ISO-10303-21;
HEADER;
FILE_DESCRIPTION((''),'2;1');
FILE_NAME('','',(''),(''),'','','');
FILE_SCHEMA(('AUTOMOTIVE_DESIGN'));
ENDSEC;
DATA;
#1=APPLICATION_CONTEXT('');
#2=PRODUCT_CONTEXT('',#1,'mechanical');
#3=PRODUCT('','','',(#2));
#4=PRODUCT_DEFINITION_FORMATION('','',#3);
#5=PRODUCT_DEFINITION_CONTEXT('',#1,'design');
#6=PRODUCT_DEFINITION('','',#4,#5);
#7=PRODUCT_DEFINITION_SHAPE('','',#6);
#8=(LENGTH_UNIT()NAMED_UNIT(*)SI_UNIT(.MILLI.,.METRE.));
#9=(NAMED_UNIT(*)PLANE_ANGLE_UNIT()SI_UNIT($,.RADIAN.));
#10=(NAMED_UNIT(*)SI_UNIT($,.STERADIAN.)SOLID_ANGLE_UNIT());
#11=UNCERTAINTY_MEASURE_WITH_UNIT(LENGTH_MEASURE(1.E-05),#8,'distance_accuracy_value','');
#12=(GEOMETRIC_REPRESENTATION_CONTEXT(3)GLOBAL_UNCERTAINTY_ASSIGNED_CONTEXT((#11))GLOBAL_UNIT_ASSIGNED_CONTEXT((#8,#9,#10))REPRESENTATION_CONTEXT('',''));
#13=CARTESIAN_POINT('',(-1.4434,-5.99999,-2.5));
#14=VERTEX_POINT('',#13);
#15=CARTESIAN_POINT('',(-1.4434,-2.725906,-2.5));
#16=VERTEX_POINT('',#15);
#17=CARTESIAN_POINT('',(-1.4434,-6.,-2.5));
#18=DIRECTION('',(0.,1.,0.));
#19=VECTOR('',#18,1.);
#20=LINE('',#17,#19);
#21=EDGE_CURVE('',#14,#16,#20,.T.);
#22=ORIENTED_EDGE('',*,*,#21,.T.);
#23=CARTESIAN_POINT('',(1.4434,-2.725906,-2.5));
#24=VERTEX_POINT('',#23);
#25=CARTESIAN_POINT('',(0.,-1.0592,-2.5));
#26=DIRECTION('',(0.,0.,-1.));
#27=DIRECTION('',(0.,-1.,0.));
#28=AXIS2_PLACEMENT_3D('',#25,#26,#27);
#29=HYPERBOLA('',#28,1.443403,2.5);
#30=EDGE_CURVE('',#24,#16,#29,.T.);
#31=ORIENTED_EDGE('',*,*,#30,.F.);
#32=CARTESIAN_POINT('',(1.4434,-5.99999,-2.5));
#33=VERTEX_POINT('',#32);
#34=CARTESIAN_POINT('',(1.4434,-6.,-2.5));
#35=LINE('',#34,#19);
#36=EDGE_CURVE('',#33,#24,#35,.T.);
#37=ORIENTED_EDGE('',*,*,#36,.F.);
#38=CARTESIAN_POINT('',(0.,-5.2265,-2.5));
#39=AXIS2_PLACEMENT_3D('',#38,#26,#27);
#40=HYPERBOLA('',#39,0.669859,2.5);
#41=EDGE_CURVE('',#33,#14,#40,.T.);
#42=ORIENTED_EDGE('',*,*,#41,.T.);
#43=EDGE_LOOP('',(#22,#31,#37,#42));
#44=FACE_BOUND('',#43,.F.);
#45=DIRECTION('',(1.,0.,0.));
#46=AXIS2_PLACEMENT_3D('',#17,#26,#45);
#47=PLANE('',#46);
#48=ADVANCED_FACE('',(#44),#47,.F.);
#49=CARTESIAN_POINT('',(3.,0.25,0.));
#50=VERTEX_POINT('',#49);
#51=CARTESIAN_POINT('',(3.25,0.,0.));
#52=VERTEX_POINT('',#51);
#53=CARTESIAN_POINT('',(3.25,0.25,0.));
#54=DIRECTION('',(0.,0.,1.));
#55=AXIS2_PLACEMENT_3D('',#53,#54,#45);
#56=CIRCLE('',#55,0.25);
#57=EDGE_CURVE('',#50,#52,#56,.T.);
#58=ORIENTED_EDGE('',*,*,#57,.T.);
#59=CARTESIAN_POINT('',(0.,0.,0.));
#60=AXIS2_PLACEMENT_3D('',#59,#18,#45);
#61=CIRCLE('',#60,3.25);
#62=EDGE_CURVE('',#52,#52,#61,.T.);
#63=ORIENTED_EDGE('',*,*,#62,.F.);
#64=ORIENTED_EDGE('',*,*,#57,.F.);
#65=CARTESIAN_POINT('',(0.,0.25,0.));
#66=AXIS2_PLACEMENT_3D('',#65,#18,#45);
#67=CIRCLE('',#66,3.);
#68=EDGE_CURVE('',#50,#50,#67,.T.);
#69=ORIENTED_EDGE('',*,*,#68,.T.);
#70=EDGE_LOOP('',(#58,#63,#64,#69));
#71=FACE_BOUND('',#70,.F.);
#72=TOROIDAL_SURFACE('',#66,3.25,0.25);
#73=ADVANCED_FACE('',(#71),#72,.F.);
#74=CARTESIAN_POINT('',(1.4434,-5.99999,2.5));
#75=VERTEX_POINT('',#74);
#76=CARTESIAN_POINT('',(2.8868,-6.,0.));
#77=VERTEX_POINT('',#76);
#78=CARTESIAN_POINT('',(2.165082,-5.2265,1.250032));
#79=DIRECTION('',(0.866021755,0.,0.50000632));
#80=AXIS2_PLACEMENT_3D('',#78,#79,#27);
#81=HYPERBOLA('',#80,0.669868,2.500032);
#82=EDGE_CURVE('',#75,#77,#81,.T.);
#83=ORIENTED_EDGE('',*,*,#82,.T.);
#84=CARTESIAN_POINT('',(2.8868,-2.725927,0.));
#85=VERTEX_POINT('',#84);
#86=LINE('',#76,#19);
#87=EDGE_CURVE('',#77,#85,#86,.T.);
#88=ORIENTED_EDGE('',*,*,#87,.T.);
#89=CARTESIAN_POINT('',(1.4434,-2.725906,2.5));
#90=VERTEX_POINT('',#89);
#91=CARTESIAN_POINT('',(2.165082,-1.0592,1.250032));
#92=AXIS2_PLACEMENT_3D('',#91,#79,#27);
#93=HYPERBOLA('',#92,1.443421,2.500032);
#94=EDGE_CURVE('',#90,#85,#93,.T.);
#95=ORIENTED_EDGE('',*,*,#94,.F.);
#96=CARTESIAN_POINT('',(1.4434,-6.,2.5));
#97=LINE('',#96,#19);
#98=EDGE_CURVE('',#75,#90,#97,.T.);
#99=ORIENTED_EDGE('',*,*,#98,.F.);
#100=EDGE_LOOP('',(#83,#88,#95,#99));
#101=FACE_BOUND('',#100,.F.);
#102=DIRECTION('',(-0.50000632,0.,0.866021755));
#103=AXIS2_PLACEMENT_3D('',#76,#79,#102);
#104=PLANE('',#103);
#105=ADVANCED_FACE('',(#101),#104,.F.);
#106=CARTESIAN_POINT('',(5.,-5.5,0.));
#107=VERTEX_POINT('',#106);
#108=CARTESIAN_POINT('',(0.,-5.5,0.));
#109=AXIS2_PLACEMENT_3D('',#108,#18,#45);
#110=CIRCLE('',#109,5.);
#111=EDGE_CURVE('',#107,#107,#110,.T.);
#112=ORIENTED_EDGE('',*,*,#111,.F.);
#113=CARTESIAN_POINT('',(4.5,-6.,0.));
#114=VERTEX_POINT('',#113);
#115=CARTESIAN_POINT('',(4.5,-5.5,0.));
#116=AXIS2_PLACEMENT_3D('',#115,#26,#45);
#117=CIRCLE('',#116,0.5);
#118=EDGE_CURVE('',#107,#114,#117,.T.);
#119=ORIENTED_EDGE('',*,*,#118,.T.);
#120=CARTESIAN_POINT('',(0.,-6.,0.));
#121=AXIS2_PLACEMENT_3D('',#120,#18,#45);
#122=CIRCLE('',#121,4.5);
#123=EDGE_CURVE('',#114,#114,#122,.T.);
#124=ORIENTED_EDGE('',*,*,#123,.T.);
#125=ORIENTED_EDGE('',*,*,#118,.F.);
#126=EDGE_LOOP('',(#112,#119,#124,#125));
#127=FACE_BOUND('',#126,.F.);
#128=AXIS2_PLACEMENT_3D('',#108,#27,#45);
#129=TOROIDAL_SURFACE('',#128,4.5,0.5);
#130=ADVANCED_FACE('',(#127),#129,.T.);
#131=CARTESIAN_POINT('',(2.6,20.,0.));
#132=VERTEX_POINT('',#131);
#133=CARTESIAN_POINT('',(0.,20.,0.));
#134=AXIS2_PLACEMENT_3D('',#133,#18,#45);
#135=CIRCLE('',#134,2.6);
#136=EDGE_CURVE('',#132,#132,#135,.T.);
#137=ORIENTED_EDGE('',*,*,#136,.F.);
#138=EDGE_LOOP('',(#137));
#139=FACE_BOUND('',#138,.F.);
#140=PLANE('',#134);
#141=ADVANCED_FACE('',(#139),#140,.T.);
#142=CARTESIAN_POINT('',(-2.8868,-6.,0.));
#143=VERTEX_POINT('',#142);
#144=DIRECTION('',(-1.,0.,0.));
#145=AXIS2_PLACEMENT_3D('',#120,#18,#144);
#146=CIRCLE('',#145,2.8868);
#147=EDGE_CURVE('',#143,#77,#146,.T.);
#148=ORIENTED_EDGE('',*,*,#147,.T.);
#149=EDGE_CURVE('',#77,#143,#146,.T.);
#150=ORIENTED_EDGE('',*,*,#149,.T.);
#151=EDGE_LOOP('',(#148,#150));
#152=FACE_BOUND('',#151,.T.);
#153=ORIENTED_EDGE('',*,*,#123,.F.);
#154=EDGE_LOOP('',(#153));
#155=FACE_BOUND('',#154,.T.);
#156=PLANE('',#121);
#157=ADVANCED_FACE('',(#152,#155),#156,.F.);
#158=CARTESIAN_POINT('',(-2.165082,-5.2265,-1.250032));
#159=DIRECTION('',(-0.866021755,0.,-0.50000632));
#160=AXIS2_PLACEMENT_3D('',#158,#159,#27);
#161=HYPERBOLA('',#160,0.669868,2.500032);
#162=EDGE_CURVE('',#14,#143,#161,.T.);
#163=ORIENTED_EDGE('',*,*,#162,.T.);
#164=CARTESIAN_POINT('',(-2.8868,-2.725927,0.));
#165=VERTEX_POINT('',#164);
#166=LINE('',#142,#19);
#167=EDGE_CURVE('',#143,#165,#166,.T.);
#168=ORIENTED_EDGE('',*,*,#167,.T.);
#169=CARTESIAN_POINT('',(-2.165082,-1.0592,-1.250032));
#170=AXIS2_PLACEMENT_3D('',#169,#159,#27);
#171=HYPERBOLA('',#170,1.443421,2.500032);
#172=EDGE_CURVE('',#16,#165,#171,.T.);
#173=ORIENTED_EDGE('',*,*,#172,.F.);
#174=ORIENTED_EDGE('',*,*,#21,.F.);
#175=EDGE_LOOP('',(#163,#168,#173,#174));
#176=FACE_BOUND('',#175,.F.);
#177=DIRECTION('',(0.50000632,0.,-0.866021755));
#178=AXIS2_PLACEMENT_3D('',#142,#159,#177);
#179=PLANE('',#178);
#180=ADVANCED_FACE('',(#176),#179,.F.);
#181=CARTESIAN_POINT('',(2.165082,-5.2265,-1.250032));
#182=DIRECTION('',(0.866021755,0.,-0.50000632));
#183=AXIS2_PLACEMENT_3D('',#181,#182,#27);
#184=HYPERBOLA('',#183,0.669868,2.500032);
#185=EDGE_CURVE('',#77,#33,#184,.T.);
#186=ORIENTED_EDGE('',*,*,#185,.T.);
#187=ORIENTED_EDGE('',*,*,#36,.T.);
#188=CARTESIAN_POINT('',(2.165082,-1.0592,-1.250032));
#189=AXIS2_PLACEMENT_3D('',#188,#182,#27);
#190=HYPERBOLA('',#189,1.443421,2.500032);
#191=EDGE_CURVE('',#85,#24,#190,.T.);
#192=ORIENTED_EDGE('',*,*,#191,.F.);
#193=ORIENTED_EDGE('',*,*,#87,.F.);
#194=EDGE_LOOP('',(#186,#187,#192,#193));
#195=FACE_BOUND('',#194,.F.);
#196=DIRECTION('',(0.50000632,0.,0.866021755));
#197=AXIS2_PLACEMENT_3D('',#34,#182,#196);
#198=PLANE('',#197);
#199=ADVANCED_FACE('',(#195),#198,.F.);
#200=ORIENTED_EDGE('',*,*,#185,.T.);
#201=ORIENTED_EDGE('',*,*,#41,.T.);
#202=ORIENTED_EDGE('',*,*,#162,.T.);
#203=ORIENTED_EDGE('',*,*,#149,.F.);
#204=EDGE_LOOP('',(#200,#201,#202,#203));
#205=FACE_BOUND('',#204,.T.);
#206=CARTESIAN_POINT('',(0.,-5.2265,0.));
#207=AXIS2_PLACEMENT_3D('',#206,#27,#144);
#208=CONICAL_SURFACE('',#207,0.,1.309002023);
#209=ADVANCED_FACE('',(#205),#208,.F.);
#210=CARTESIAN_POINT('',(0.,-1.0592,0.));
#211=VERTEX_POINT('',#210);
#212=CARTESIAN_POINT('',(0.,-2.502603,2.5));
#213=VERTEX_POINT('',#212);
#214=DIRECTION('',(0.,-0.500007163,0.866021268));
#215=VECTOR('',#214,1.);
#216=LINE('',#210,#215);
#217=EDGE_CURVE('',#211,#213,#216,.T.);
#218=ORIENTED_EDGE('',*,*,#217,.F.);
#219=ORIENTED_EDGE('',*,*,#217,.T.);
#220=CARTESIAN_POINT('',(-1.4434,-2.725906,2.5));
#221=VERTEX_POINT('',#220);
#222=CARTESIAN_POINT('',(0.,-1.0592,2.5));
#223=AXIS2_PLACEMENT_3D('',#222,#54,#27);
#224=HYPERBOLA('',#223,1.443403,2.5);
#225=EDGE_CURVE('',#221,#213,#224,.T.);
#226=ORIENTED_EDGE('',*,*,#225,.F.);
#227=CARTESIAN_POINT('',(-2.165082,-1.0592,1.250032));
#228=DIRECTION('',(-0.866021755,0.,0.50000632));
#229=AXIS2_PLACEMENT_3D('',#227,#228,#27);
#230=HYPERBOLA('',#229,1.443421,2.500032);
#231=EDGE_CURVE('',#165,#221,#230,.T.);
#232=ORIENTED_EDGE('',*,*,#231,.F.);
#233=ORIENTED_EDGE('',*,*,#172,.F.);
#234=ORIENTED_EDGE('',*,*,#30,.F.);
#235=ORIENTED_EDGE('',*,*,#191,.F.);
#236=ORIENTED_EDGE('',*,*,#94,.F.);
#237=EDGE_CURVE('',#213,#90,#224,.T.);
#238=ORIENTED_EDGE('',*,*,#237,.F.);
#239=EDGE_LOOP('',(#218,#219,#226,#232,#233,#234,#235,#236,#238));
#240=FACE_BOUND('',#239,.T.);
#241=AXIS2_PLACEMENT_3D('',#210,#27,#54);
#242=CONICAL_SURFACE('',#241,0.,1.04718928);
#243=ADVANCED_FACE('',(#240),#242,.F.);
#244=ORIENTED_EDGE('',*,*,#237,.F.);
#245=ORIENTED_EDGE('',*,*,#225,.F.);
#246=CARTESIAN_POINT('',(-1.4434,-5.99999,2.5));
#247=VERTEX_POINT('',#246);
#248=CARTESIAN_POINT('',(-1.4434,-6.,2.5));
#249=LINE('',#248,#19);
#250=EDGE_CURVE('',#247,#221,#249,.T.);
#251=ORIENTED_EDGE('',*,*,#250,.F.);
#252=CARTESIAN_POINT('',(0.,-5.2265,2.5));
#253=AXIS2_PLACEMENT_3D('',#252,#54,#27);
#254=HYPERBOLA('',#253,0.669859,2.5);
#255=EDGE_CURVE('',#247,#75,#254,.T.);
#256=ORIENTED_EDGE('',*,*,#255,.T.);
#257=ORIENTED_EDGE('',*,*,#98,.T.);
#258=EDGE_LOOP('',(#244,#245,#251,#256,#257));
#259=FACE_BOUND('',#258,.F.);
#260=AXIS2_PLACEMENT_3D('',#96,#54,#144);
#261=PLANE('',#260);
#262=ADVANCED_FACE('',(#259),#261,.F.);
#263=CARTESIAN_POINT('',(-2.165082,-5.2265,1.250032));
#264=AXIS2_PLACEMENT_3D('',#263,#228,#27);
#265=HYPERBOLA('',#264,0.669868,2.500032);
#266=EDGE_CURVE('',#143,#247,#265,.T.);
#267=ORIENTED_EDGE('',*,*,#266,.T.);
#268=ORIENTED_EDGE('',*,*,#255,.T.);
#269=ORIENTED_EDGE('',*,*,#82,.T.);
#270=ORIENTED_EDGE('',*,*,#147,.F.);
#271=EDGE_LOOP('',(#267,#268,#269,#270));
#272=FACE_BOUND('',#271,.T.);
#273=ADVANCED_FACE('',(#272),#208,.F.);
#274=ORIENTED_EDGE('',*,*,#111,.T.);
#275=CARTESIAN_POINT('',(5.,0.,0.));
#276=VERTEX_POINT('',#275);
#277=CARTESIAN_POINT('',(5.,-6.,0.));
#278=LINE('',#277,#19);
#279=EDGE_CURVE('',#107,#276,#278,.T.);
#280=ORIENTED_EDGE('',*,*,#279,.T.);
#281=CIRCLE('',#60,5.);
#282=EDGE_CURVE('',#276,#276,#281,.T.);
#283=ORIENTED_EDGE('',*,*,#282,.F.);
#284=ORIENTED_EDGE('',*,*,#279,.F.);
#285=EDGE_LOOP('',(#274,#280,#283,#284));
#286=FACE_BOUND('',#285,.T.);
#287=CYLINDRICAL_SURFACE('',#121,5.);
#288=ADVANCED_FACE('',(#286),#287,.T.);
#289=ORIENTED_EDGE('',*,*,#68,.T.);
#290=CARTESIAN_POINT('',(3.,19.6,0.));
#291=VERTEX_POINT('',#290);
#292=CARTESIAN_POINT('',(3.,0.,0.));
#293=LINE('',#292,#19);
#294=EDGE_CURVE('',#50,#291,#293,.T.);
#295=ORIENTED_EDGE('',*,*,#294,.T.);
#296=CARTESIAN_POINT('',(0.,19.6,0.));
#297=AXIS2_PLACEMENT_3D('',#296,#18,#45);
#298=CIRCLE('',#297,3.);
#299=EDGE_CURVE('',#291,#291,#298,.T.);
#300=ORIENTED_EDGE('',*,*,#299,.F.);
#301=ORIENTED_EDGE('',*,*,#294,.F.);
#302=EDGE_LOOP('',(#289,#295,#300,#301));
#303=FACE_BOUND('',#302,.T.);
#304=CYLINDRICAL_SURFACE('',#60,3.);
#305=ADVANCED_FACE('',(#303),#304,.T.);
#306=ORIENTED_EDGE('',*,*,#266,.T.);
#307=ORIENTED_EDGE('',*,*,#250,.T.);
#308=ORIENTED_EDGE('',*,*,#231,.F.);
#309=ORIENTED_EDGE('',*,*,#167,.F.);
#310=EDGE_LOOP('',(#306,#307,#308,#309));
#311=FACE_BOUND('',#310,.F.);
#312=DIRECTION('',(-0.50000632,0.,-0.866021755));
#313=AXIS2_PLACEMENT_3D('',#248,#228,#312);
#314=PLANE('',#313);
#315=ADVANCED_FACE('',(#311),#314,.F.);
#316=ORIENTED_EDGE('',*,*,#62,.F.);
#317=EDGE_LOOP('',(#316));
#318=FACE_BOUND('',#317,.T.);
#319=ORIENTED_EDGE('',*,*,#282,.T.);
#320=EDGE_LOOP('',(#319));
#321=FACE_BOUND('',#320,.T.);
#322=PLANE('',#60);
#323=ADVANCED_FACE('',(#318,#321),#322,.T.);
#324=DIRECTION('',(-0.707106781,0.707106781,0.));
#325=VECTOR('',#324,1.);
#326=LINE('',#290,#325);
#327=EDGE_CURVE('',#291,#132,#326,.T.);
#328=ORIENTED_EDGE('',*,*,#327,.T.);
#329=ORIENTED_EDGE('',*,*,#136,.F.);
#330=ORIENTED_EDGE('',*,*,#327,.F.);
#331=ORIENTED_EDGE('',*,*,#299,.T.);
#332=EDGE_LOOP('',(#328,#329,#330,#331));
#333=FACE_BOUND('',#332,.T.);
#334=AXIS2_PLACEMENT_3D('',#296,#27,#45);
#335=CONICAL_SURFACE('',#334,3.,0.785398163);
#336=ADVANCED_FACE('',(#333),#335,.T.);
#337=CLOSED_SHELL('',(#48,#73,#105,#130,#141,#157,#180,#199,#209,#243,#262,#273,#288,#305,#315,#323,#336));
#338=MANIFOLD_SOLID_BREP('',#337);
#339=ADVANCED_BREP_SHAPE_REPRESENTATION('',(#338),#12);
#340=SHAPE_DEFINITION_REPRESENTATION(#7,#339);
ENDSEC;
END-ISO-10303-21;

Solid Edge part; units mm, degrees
sketch "Sketch1" plane through (0, 0, 0) normal (0, 0, 1) x (1, 0, 0)
  line L0 (3, 0) -> (3, 20)
  line L1 (0, 20) -> (3, 20)
  line L2 (0, 0) -> (0, 20)
  line L3 (0, 0) -> (0, -6)
  line L4 (0, -6) -> (5, -6)
  line L5 (5, -6) -> (5, 0)
  line L6 (5, 0) -> (3, 0)
revolve "RevolvedProtrusion1" add sketch "Sketch1" angle 360 about axis through (0, 0, 0) along (0, 1, 0)
sketch "Sketch2" plane through (0, 0, 0) normal (1, 0, 0) x (0, 1, 0)
  line L0 (-6, 3.3615) -> (-3, 3.3615)
  line L1 (-1.0592, 0) -> (-3, 3.3615)
  line L2 (-6, 0) -> (-1.0592, 0)
  line L3 (-6, 0) -> (-6, 3.3615)
revolve "RevolvedCutout1" cut sketch "Sketch2" angle 360 about axis through (0, -4.5, 0) along (0, 1, 0)
sketch "Sketch3" plane through (0, -6, 0) normal (0, -1, 0) x (0, 0, 1)
  circle A0 centre (0, 0) radius 3.3615
  line L0 (-2.5, -1.4434) -> (0, -2.8868)
  line L1 (0, -2.8868) -> (2.5, -1.4434)
  line L2 (2.5, -1.4434) -> (2.5, 1.4434)
  line L3 (2.5, 1.4434) -> (0, 2.8868)
  line L4 (0, 2.8868) -> (-2.5, 1.4434)
  line L5 (-2.5, 1.4434) -> (-2.5, -1.4434)
  dimension "D1" = 5
extrude "Protrusion1" add sketch "Sketch3" against normal up to next
sketch "Sketch4" plane through (0, 0, 0) normal (0, 0, 1) x (1, 0, 0)
  line L0 (-2.8868, -6) -> (0, -6)
  line L1 (0, -6) -> (0, -5.2265)
  line L2 (0, -5.2265) -> (-2.8868, -6)
revolve "RevolvedCutout2" cut sketch "Sketch4" angle 360 about axis through (0, -4.5, 0) along (0, 1, 0)
fillet "Round1" radius 0.25 1 edges at (0, 0, -3)
fillet "Round2" radius 0.5 1 edges at (0, -6, -5)
chamfer "倒斜角_2" distance 0.4 angle 45 1 edges at (0, 20, -3)
cosmetic_thread "螺纹_3" size "M6" thread depth 16
